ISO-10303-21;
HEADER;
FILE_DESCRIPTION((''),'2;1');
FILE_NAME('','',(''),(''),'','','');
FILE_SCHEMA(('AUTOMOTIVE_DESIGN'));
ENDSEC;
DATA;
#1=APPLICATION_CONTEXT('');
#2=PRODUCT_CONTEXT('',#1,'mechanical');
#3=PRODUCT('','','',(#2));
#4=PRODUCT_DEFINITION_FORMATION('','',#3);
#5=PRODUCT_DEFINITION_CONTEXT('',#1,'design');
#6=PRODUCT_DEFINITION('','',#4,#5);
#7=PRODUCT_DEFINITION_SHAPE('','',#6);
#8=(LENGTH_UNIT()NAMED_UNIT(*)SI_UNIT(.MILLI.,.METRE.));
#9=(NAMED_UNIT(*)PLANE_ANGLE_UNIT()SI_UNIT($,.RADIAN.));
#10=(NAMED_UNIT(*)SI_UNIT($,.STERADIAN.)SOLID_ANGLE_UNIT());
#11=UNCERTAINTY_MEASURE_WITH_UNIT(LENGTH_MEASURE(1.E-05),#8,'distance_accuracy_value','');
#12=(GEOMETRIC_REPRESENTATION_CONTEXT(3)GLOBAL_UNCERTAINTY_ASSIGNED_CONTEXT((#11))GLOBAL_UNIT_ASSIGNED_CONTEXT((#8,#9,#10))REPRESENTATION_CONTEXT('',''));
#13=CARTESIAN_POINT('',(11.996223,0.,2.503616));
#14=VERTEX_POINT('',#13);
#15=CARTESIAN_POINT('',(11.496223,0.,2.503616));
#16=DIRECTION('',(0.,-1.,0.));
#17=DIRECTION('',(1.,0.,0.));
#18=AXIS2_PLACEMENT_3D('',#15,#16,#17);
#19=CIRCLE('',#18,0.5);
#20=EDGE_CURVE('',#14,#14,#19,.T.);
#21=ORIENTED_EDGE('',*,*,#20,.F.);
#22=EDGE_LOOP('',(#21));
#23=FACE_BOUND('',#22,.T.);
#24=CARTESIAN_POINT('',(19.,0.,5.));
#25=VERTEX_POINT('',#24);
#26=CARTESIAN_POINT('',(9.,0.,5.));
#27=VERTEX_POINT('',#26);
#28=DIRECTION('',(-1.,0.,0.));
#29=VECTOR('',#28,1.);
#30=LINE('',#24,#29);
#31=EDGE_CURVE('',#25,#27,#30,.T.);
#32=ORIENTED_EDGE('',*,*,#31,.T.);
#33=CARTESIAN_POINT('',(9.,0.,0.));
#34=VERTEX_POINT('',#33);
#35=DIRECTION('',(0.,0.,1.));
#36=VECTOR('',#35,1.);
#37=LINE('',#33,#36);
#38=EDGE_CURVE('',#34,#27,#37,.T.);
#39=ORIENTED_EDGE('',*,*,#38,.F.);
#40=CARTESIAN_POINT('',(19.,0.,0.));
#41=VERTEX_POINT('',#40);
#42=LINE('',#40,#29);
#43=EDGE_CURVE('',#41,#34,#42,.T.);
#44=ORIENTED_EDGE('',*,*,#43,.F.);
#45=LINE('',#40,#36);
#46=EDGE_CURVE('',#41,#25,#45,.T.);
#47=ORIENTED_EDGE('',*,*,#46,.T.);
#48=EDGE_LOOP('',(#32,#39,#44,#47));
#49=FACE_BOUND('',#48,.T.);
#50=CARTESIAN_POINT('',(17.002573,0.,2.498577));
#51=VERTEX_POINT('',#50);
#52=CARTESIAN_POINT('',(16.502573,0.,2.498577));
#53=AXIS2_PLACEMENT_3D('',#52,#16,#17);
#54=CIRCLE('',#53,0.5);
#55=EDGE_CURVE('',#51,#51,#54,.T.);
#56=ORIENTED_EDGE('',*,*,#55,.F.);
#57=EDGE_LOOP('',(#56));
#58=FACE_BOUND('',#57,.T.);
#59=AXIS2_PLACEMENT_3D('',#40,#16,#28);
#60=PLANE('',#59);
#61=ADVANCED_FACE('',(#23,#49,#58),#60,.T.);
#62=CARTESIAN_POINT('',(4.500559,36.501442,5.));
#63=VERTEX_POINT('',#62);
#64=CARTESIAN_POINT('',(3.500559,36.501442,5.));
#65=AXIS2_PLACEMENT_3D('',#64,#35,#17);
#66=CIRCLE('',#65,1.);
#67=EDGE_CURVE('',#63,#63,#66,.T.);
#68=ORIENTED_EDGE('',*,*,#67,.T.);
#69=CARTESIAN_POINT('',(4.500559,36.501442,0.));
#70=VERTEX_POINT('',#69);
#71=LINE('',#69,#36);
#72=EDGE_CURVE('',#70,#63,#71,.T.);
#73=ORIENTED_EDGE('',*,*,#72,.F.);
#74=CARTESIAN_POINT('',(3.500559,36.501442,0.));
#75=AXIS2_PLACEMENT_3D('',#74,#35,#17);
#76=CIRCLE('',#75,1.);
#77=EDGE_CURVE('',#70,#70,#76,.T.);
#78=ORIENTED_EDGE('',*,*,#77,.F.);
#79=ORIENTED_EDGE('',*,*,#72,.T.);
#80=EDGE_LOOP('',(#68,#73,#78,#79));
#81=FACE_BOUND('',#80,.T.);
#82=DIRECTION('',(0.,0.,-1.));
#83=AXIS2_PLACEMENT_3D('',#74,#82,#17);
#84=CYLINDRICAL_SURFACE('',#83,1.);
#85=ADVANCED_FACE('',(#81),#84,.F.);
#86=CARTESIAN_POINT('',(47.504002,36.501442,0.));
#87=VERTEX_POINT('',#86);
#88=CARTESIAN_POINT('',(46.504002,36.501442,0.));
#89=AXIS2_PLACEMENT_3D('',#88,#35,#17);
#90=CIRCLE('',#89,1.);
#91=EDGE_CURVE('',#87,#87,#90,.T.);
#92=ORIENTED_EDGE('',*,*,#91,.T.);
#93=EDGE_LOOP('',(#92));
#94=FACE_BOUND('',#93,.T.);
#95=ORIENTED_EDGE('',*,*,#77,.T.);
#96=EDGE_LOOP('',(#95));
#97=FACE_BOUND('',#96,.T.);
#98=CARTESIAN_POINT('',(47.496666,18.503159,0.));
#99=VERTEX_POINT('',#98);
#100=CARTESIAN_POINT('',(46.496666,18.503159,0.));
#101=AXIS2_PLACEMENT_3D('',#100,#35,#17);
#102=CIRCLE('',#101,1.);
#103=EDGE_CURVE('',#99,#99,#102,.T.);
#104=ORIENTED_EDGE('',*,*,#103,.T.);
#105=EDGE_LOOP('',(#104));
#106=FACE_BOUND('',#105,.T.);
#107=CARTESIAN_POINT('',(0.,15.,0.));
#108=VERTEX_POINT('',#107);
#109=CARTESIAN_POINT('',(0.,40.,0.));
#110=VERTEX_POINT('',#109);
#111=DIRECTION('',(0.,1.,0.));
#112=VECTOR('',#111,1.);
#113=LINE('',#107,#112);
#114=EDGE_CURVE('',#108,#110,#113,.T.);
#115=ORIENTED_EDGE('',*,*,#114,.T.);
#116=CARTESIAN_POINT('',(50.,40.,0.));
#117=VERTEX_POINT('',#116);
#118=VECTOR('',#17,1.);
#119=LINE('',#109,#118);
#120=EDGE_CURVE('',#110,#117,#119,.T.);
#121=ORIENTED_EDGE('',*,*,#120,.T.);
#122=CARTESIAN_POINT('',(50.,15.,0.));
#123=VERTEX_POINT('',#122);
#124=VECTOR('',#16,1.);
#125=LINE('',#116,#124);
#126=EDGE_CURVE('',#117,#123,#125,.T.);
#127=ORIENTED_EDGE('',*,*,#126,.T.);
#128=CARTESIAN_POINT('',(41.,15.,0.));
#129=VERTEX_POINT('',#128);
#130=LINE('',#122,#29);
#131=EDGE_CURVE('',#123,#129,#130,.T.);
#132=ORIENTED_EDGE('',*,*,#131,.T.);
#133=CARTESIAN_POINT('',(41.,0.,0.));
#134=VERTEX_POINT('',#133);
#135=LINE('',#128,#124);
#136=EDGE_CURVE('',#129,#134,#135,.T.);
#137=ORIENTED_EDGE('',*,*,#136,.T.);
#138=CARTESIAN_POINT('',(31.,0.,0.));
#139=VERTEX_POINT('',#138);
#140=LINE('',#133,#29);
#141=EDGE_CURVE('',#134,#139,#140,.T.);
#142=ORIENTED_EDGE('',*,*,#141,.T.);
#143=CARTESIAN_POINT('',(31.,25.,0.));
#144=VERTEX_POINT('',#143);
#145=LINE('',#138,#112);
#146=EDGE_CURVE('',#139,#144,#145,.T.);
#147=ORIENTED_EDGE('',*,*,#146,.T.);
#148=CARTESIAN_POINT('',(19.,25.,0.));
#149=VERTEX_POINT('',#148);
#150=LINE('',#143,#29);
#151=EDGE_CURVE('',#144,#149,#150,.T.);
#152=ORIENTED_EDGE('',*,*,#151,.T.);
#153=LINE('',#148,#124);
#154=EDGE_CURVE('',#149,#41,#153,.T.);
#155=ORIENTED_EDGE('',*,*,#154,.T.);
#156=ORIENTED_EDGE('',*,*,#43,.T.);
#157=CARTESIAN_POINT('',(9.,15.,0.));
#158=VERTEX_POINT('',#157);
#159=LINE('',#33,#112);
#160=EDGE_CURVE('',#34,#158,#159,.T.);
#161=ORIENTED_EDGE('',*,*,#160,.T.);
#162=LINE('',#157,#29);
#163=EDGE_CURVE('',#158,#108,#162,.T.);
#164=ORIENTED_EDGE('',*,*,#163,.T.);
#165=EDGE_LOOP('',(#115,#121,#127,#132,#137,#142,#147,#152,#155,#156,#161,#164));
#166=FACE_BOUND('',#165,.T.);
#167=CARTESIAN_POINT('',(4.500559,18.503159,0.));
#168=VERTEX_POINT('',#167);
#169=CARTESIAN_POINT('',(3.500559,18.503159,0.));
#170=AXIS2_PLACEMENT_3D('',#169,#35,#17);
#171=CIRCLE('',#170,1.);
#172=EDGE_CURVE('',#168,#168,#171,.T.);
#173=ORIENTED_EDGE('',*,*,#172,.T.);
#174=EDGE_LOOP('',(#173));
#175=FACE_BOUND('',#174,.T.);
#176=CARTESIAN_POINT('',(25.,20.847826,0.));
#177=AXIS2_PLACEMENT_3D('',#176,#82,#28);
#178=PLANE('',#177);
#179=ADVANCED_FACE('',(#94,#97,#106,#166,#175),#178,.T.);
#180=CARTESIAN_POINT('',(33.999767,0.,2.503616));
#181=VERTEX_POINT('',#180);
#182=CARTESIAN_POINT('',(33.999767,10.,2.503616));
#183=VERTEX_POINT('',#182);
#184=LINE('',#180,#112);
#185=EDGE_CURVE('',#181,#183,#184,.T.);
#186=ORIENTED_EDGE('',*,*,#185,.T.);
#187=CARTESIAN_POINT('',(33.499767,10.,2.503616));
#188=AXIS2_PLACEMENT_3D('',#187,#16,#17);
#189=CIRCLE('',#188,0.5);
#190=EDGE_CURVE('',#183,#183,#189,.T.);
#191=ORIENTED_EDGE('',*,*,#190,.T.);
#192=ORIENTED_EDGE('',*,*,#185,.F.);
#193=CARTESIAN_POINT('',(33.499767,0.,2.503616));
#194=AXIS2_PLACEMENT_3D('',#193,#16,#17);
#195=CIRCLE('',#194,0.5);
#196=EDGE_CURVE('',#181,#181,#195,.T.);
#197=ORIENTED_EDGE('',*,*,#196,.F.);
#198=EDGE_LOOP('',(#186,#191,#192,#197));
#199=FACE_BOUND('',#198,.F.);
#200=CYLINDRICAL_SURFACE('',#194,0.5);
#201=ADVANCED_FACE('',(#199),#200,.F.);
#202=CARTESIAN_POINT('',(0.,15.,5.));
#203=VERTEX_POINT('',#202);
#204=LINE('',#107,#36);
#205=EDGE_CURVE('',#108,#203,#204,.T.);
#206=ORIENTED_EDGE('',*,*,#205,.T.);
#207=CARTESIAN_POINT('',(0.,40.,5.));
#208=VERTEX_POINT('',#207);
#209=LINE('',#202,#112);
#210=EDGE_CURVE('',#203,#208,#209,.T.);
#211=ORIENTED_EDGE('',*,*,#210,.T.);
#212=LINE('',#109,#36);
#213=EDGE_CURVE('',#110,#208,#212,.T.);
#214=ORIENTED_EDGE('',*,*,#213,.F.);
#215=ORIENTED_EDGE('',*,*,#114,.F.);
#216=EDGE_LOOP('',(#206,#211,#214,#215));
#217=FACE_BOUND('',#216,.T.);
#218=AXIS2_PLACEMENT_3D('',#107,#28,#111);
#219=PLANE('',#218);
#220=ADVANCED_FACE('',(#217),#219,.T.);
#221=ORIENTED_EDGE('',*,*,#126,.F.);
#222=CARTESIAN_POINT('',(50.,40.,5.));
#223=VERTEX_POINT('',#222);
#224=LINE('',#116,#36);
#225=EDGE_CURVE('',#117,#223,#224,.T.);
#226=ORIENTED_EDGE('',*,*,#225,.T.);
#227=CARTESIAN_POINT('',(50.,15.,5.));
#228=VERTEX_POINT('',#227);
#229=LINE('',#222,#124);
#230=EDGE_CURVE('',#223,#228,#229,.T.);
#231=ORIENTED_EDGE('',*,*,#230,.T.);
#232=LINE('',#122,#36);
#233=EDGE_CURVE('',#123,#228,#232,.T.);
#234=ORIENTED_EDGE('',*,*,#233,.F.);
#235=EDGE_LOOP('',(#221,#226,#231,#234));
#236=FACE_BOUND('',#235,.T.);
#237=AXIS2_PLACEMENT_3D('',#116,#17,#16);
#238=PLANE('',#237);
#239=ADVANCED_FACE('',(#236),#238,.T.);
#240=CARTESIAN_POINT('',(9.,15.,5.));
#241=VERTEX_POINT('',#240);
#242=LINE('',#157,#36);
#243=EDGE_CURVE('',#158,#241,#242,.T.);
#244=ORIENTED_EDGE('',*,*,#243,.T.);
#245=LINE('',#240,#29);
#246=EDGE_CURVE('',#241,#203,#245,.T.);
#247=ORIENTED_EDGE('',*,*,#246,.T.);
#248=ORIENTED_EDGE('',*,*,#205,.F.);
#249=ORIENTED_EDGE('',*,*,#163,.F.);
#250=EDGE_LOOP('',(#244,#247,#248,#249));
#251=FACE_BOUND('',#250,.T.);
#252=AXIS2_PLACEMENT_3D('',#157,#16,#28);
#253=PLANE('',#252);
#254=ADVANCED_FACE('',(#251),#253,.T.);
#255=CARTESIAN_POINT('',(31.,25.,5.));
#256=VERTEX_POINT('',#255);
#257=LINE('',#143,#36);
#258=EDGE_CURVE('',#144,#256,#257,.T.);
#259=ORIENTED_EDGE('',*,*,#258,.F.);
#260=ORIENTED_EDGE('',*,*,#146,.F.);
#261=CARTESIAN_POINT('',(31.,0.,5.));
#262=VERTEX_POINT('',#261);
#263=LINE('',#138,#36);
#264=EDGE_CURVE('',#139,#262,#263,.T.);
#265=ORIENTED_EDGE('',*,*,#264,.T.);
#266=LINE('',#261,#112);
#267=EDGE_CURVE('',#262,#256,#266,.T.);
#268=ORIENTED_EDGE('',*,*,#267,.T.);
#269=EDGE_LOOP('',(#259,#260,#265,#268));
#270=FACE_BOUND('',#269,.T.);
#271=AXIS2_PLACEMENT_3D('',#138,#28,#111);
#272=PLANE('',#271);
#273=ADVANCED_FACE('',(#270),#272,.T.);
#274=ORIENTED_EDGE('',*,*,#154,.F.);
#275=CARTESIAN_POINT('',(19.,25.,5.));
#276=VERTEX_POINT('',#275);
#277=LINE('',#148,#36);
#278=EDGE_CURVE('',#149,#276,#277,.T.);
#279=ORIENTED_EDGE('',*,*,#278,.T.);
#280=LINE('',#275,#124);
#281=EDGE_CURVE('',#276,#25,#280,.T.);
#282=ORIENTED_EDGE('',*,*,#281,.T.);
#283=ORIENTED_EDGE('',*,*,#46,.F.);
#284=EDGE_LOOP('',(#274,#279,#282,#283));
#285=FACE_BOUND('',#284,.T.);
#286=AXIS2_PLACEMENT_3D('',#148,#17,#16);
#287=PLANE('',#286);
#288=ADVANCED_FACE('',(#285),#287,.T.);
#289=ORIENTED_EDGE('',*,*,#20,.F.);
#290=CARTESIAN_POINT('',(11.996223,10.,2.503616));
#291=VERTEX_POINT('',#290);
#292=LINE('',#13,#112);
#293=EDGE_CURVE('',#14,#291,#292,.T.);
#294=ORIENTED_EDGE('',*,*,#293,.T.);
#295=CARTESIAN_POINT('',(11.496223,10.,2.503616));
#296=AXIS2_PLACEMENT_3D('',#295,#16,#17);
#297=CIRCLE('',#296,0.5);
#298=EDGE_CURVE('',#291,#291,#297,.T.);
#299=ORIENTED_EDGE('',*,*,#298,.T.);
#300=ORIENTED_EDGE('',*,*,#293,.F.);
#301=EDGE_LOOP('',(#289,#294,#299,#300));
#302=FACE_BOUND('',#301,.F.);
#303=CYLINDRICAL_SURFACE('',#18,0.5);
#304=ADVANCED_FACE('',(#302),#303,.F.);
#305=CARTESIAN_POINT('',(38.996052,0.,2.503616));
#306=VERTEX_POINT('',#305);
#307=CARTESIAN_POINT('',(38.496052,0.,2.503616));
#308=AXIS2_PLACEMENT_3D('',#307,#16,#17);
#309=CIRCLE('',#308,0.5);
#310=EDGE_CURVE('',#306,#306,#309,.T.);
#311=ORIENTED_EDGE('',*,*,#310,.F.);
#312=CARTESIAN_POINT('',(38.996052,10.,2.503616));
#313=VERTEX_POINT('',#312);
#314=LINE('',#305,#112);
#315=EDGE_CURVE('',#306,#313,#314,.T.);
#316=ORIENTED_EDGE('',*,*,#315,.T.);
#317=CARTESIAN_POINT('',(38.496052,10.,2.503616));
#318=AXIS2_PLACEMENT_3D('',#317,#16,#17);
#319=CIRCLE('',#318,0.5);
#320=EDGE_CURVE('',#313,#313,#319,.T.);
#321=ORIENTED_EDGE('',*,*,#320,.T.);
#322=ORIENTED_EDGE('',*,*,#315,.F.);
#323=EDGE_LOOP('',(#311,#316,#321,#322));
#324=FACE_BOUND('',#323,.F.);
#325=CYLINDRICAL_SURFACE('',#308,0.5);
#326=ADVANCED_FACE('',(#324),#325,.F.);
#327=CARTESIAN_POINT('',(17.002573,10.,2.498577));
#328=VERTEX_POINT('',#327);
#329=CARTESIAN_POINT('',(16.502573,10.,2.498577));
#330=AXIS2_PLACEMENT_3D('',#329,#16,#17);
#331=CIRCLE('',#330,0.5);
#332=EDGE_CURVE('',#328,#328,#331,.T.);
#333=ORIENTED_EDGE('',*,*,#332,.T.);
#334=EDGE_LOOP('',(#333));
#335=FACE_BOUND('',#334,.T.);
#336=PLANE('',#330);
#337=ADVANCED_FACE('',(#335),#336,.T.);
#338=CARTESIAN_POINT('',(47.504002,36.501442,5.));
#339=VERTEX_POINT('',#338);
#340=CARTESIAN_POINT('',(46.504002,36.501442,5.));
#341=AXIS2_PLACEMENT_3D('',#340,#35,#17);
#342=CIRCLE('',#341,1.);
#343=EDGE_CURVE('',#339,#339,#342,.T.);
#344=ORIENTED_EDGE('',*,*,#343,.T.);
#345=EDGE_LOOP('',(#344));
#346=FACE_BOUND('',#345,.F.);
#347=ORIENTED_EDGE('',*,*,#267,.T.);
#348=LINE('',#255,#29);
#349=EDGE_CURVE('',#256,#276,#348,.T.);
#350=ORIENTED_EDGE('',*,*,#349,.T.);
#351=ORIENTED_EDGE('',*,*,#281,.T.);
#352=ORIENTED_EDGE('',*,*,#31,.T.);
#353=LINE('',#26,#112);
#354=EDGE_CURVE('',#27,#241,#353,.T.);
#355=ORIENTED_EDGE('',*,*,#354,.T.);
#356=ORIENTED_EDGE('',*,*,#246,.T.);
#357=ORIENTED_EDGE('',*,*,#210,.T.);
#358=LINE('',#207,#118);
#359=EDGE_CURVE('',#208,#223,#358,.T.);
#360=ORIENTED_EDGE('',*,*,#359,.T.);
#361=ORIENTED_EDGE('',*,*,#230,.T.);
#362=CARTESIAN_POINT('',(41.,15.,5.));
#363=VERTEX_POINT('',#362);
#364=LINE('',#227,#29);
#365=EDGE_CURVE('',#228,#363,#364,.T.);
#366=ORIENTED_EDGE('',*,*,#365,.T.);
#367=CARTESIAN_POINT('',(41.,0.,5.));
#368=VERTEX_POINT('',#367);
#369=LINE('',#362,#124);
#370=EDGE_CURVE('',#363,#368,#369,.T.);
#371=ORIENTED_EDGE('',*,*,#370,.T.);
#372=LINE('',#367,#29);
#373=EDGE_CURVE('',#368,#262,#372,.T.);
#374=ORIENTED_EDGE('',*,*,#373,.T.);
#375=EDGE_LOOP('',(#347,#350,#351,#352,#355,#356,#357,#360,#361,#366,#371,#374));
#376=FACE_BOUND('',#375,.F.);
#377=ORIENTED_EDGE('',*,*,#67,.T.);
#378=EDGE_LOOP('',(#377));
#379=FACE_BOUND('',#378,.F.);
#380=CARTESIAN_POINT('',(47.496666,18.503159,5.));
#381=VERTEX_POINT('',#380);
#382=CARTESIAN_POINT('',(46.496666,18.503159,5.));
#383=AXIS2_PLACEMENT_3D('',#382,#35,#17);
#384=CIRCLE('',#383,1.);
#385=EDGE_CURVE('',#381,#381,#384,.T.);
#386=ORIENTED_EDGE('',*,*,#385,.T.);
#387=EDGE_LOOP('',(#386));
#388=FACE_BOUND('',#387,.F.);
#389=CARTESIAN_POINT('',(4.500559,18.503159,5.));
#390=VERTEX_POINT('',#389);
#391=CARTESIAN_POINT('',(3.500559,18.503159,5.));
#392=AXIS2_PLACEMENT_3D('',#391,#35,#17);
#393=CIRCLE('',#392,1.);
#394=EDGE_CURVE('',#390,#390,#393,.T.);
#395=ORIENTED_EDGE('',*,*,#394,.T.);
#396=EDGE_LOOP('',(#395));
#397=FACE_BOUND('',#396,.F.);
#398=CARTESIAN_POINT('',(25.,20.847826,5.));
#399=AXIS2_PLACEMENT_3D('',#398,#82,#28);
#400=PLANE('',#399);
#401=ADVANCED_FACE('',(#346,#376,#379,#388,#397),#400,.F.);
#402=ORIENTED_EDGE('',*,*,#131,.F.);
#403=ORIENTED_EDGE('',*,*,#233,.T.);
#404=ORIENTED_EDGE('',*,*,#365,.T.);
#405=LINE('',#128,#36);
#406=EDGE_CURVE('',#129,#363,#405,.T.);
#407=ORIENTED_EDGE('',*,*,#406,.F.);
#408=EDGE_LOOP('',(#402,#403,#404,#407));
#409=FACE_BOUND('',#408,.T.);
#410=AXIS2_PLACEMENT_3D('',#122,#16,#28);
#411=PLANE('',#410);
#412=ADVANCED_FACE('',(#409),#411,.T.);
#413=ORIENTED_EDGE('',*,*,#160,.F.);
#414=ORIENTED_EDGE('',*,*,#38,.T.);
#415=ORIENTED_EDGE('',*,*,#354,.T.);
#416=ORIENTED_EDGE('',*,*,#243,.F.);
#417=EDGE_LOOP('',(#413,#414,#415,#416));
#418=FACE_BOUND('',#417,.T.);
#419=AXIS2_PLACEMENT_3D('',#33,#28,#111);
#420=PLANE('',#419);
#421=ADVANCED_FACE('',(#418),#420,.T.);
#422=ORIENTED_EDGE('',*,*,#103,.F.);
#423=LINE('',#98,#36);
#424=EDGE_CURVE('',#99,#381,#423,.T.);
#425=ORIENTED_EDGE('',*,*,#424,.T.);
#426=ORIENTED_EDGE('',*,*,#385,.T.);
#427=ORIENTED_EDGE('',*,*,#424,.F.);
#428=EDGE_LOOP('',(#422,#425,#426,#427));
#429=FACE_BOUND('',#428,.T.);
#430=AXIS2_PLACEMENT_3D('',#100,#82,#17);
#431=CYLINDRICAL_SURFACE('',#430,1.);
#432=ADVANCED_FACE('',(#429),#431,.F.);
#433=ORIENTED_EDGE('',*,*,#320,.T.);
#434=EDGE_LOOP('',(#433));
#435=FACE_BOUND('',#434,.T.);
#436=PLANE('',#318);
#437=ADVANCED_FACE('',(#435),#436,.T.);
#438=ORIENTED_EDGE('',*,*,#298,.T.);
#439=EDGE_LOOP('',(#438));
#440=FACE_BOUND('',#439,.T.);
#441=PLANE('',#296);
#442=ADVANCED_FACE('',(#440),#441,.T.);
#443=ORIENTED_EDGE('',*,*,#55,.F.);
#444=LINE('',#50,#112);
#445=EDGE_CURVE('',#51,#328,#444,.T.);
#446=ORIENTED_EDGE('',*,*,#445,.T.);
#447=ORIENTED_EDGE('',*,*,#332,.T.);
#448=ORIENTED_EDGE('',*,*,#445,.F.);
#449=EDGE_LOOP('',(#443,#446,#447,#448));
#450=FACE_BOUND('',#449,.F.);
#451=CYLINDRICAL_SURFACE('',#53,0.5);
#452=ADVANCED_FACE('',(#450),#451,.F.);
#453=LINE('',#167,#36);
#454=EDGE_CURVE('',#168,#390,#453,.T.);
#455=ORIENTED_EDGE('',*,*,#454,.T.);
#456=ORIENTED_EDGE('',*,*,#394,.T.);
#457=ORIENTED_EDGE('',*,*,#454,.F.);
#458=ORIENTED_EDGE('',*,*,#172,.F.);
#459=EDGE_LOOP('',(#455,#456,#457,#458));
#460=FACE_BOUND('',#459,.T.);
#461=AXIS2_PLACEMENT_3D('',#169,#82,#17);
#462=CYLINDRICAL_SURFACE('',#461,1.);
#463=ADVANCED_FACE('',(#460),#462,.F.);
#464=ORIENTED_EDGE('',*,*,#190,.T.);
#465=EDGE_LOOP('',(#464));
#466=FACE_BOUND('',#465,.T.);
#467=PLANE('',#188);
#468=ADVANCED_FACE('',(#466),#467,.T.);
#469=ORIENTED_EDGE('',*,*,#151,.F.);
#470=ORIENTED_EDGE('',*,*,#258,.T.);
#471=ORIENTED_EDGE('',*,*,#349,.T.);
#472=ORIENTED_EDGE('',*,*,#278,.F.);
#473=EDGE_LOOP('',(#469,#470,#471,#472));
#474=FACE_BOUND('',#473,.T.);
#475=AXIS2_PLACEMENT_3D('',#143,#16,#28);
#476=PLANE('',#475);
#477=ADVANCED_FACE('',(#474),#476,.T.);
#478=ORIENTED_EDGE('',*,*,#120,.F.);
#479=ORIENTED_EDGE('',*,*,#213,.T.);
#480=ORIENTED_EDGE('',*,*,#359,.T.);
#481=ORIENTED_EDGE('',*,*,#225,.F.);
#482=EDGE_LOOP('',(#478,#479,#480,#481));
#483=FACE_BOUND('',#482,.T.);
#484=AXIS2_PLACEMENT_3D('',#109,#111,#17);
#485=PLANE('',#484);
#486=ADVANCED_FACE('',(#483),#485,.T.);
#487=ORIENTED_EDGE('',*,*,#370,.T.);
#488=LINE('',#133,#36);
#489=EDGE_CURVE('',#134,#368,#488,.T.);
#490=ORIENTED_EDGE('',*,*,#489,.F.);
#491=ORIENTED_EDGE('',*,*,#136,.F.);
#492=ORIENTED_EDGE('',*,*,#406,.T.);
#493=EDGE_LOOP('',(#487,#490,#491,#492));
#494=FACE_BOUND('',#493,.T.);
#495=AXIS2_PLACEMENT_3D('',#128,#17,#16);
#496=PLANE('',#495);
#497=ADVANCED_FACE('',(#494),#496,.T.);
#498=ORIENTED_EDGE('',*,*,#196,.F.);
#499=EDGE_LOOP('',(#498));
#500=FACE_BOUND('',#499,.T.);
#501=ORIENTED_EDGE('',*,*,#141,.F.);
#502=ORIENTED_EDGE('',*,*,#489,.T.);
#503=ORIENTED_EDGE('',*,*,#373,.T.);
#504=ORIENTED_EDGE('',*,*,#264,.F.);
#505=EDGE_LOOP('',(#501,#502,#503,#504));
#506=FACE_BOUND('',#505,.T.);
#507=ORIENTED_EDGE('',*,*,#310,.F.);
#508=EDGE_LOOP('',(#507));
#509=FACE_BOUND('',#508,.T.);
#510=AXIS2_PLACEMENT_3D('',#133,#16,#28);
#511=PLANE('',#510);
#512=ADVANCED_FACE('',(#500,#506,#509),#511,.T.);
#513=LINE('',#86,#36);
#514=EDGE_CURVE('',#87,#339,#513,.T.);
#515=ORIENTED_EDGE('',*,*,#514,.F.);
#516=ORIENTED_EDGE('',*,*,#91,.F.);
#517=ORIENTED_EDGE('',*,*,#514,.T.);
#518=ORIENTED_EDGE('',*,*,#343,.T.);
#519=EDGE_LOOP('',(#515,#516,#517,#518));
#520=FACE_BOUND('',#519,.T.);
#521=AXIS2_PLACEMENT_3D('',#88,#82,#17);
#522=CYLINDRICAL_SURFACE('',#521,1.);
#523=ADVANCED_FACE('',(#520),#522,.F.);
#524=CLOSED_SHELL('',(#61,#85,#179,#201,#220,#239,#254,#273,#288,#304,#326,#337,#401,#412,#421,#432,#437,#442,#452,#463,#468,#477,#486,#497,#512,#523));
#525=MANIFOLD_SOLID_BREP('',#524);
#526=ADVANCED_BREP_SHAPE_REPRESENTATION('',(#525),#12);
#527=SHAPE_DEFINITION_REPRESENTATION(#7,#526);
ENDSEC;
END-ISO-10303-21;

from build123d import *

# Parameters (mm, degrees)
SKETCH001_R  = 1
PAD_DEPTH    = 5
SKETCH002_R  = 0.5
POCKET_DEPTH = 10


with BuildPart() as part:
    # Sketch001 → Pad (new body)
    with BuildSketch(Plane.XY):
        Polygon((9, 0), (9, 15), (0, 15), (0, 40), (50, 40), (50, 15), (41, 15), (41, 0), (31, 0), (31, 25), (19, 25), (19, 0), align=None)
        with Locations((46.504002, 36.501442)):
            Circle(SKETCH001_R, mode=Mode.SUBTRACT)
        with Locations((3.500559, 36.501442)):
            Circle(SKETCH001_R, mode=Mode.SUBTRACT)
        with Locations((3.500559, 18.503159)):
            Circle(SKETCH001_R, mode=Mode.SUBTRACT)
        with Locations((46.496666, 18.503159)):
            Circle(SKETCH001_R, mode=Mode.SUBTRACT)
    extrude(amount=PAD_DEPTH)

    # Sketch002 (on Face9 of Pad) → Pocket (cut)
    with BuildSketch(Plane.XZ):
        with Locations((38.496052, 2.503616)):
            Circle(SKETCH002_R)
        with Locations((33.499767, 2.503616)):
            Circle(SKETCH002_R)
        with Locations((16.502573, 2.498577)):
            Circle(SKETCH002_R)
        with Locations((11.496223, 2.503616)):
            Circle(SKETCH002_R)
    extrude(amount=-POCKET_DEPTH, mode=Mode.SUBTRACT)


solid = part.part
